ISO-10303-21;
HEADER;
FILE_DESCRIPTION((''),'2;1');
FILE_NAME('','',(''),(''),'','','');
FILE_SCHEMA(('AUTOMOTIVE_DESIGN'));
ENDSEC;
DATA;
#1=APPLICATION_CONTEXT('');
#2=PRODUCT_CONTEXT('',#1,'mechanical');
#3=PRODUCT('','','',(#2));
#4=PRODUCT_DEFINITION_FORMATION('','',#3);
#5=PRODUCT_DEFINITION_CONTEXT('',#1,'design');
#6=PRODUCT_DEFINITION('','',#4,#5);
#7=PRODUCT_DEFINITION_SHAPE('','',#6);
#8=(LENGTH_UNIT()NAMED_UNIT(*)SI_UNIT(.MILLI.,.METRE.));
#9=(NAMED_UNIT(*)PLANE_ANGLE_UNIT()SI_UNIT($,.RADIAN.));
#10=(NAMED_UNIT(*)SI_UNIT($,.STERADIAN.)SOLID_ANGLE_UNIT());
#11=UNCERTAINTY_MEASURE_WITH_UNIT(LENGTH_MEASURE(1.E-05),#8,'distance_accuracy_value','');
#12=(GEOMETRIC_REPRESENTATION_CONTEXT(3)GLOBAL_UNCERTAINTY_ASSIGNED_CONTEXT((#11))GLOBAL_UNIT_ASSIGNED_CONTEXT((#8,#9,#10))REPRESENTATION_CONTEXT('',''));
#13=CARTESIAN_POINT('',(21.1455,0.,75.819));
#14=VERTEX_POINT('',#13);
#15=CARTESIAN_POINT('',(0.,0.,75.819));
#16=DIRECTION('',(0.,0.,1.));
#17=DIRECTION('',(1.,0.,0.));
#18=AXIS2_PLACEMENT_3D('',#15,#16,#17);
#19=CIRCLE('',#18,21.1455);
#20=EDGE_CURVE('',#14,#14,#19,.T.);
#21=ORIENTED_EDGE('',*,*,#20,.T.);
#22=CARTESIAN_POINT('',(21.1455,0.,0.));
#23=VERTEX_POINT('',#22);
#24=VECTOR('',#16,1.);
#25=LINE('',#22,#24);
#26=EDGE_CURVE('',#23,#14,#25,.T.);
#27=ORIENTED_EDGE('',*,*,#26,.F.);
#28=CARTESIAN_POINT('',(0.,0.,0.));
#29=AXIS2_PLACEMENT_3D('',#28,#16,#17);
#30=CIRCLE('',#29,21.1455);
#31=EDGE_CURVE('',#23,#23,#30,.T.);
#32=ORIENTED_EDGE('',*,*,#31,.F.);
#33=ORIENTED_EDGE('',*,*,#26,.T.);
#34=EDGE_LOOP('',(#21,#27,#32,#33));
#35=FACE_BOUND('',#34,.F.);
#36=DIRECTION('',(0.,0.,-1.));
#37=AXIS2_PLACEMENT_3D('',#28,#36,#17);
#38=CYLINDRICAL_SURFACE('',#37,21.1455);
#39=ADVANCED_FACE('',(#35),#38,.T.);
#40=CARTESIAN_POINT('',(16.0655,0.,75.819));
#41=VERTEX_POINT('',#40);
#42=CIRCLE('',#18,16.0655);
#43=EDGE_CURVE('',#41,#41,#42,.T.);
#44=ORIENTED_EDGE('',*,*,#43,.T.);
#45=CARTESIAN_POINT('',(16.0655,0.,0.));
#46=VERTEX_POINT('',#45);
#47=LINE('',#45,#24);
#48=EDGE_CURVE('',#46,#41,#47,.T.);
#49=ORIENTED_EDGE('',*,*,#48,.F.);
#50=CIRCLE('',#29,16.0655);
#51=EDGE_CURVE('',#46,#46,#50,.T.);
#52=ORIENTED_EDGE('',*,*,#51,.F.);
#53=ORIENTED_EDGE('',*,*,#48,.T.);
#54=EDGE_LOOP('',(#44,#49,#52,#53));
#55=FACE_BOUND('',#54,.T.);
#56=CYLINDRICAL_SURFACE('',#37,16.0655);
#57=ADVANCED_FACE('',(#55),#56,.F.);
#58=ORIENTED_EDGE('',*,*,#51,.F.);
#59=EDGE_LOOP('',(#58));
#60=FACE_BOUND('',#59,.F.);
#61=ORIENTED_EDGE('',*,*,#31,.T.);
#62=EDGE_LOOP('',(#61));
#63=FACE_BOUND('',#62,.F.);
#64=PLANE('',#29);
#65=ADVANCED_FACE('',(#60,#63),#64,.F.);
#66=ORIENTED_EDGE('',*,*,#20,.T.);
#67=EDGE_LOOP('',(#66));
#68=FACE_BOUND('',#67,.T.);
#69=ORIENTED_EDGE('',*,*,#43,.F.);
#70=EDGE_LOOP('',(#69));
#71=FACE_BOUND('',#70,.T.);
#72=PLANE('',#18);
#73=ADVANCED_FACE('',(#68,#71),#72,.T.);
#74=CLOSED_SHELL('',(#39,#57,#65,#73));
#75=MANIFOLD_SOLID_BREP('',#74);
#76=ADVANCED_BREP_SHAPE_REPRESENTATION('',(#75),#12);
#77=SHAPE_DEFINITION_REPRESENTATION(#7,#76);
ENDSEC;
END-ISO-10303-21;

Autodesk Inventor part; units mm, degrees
ref_plane "YZ Plane" through (0, 0, 0) normal (1, 0, 0) x (0, 1, 0)
ref_plane "XZ Plane" through (0, 0, 0) normal (0, 1, 0) x (-1, 0, 0)
ref_plane "XY Plane" through (0, 0, 0) normal (0, 0, 1) x (1, 0, 0)
sketch "Sketch1" plane through (0, 0, 0) normal (0, 0, 1) x (1, 0, 0)
  circle A0 centre (0, 0) radius 16.0655
  circle A1 centre (0, 0) radius 21.1455
  dimension "d0" = 32.131
  dimension "d1" = 5.08
extrude "Extrusion1" add sketch "Sketch1" along normal blind 75.819
properties part number "STL-002"
